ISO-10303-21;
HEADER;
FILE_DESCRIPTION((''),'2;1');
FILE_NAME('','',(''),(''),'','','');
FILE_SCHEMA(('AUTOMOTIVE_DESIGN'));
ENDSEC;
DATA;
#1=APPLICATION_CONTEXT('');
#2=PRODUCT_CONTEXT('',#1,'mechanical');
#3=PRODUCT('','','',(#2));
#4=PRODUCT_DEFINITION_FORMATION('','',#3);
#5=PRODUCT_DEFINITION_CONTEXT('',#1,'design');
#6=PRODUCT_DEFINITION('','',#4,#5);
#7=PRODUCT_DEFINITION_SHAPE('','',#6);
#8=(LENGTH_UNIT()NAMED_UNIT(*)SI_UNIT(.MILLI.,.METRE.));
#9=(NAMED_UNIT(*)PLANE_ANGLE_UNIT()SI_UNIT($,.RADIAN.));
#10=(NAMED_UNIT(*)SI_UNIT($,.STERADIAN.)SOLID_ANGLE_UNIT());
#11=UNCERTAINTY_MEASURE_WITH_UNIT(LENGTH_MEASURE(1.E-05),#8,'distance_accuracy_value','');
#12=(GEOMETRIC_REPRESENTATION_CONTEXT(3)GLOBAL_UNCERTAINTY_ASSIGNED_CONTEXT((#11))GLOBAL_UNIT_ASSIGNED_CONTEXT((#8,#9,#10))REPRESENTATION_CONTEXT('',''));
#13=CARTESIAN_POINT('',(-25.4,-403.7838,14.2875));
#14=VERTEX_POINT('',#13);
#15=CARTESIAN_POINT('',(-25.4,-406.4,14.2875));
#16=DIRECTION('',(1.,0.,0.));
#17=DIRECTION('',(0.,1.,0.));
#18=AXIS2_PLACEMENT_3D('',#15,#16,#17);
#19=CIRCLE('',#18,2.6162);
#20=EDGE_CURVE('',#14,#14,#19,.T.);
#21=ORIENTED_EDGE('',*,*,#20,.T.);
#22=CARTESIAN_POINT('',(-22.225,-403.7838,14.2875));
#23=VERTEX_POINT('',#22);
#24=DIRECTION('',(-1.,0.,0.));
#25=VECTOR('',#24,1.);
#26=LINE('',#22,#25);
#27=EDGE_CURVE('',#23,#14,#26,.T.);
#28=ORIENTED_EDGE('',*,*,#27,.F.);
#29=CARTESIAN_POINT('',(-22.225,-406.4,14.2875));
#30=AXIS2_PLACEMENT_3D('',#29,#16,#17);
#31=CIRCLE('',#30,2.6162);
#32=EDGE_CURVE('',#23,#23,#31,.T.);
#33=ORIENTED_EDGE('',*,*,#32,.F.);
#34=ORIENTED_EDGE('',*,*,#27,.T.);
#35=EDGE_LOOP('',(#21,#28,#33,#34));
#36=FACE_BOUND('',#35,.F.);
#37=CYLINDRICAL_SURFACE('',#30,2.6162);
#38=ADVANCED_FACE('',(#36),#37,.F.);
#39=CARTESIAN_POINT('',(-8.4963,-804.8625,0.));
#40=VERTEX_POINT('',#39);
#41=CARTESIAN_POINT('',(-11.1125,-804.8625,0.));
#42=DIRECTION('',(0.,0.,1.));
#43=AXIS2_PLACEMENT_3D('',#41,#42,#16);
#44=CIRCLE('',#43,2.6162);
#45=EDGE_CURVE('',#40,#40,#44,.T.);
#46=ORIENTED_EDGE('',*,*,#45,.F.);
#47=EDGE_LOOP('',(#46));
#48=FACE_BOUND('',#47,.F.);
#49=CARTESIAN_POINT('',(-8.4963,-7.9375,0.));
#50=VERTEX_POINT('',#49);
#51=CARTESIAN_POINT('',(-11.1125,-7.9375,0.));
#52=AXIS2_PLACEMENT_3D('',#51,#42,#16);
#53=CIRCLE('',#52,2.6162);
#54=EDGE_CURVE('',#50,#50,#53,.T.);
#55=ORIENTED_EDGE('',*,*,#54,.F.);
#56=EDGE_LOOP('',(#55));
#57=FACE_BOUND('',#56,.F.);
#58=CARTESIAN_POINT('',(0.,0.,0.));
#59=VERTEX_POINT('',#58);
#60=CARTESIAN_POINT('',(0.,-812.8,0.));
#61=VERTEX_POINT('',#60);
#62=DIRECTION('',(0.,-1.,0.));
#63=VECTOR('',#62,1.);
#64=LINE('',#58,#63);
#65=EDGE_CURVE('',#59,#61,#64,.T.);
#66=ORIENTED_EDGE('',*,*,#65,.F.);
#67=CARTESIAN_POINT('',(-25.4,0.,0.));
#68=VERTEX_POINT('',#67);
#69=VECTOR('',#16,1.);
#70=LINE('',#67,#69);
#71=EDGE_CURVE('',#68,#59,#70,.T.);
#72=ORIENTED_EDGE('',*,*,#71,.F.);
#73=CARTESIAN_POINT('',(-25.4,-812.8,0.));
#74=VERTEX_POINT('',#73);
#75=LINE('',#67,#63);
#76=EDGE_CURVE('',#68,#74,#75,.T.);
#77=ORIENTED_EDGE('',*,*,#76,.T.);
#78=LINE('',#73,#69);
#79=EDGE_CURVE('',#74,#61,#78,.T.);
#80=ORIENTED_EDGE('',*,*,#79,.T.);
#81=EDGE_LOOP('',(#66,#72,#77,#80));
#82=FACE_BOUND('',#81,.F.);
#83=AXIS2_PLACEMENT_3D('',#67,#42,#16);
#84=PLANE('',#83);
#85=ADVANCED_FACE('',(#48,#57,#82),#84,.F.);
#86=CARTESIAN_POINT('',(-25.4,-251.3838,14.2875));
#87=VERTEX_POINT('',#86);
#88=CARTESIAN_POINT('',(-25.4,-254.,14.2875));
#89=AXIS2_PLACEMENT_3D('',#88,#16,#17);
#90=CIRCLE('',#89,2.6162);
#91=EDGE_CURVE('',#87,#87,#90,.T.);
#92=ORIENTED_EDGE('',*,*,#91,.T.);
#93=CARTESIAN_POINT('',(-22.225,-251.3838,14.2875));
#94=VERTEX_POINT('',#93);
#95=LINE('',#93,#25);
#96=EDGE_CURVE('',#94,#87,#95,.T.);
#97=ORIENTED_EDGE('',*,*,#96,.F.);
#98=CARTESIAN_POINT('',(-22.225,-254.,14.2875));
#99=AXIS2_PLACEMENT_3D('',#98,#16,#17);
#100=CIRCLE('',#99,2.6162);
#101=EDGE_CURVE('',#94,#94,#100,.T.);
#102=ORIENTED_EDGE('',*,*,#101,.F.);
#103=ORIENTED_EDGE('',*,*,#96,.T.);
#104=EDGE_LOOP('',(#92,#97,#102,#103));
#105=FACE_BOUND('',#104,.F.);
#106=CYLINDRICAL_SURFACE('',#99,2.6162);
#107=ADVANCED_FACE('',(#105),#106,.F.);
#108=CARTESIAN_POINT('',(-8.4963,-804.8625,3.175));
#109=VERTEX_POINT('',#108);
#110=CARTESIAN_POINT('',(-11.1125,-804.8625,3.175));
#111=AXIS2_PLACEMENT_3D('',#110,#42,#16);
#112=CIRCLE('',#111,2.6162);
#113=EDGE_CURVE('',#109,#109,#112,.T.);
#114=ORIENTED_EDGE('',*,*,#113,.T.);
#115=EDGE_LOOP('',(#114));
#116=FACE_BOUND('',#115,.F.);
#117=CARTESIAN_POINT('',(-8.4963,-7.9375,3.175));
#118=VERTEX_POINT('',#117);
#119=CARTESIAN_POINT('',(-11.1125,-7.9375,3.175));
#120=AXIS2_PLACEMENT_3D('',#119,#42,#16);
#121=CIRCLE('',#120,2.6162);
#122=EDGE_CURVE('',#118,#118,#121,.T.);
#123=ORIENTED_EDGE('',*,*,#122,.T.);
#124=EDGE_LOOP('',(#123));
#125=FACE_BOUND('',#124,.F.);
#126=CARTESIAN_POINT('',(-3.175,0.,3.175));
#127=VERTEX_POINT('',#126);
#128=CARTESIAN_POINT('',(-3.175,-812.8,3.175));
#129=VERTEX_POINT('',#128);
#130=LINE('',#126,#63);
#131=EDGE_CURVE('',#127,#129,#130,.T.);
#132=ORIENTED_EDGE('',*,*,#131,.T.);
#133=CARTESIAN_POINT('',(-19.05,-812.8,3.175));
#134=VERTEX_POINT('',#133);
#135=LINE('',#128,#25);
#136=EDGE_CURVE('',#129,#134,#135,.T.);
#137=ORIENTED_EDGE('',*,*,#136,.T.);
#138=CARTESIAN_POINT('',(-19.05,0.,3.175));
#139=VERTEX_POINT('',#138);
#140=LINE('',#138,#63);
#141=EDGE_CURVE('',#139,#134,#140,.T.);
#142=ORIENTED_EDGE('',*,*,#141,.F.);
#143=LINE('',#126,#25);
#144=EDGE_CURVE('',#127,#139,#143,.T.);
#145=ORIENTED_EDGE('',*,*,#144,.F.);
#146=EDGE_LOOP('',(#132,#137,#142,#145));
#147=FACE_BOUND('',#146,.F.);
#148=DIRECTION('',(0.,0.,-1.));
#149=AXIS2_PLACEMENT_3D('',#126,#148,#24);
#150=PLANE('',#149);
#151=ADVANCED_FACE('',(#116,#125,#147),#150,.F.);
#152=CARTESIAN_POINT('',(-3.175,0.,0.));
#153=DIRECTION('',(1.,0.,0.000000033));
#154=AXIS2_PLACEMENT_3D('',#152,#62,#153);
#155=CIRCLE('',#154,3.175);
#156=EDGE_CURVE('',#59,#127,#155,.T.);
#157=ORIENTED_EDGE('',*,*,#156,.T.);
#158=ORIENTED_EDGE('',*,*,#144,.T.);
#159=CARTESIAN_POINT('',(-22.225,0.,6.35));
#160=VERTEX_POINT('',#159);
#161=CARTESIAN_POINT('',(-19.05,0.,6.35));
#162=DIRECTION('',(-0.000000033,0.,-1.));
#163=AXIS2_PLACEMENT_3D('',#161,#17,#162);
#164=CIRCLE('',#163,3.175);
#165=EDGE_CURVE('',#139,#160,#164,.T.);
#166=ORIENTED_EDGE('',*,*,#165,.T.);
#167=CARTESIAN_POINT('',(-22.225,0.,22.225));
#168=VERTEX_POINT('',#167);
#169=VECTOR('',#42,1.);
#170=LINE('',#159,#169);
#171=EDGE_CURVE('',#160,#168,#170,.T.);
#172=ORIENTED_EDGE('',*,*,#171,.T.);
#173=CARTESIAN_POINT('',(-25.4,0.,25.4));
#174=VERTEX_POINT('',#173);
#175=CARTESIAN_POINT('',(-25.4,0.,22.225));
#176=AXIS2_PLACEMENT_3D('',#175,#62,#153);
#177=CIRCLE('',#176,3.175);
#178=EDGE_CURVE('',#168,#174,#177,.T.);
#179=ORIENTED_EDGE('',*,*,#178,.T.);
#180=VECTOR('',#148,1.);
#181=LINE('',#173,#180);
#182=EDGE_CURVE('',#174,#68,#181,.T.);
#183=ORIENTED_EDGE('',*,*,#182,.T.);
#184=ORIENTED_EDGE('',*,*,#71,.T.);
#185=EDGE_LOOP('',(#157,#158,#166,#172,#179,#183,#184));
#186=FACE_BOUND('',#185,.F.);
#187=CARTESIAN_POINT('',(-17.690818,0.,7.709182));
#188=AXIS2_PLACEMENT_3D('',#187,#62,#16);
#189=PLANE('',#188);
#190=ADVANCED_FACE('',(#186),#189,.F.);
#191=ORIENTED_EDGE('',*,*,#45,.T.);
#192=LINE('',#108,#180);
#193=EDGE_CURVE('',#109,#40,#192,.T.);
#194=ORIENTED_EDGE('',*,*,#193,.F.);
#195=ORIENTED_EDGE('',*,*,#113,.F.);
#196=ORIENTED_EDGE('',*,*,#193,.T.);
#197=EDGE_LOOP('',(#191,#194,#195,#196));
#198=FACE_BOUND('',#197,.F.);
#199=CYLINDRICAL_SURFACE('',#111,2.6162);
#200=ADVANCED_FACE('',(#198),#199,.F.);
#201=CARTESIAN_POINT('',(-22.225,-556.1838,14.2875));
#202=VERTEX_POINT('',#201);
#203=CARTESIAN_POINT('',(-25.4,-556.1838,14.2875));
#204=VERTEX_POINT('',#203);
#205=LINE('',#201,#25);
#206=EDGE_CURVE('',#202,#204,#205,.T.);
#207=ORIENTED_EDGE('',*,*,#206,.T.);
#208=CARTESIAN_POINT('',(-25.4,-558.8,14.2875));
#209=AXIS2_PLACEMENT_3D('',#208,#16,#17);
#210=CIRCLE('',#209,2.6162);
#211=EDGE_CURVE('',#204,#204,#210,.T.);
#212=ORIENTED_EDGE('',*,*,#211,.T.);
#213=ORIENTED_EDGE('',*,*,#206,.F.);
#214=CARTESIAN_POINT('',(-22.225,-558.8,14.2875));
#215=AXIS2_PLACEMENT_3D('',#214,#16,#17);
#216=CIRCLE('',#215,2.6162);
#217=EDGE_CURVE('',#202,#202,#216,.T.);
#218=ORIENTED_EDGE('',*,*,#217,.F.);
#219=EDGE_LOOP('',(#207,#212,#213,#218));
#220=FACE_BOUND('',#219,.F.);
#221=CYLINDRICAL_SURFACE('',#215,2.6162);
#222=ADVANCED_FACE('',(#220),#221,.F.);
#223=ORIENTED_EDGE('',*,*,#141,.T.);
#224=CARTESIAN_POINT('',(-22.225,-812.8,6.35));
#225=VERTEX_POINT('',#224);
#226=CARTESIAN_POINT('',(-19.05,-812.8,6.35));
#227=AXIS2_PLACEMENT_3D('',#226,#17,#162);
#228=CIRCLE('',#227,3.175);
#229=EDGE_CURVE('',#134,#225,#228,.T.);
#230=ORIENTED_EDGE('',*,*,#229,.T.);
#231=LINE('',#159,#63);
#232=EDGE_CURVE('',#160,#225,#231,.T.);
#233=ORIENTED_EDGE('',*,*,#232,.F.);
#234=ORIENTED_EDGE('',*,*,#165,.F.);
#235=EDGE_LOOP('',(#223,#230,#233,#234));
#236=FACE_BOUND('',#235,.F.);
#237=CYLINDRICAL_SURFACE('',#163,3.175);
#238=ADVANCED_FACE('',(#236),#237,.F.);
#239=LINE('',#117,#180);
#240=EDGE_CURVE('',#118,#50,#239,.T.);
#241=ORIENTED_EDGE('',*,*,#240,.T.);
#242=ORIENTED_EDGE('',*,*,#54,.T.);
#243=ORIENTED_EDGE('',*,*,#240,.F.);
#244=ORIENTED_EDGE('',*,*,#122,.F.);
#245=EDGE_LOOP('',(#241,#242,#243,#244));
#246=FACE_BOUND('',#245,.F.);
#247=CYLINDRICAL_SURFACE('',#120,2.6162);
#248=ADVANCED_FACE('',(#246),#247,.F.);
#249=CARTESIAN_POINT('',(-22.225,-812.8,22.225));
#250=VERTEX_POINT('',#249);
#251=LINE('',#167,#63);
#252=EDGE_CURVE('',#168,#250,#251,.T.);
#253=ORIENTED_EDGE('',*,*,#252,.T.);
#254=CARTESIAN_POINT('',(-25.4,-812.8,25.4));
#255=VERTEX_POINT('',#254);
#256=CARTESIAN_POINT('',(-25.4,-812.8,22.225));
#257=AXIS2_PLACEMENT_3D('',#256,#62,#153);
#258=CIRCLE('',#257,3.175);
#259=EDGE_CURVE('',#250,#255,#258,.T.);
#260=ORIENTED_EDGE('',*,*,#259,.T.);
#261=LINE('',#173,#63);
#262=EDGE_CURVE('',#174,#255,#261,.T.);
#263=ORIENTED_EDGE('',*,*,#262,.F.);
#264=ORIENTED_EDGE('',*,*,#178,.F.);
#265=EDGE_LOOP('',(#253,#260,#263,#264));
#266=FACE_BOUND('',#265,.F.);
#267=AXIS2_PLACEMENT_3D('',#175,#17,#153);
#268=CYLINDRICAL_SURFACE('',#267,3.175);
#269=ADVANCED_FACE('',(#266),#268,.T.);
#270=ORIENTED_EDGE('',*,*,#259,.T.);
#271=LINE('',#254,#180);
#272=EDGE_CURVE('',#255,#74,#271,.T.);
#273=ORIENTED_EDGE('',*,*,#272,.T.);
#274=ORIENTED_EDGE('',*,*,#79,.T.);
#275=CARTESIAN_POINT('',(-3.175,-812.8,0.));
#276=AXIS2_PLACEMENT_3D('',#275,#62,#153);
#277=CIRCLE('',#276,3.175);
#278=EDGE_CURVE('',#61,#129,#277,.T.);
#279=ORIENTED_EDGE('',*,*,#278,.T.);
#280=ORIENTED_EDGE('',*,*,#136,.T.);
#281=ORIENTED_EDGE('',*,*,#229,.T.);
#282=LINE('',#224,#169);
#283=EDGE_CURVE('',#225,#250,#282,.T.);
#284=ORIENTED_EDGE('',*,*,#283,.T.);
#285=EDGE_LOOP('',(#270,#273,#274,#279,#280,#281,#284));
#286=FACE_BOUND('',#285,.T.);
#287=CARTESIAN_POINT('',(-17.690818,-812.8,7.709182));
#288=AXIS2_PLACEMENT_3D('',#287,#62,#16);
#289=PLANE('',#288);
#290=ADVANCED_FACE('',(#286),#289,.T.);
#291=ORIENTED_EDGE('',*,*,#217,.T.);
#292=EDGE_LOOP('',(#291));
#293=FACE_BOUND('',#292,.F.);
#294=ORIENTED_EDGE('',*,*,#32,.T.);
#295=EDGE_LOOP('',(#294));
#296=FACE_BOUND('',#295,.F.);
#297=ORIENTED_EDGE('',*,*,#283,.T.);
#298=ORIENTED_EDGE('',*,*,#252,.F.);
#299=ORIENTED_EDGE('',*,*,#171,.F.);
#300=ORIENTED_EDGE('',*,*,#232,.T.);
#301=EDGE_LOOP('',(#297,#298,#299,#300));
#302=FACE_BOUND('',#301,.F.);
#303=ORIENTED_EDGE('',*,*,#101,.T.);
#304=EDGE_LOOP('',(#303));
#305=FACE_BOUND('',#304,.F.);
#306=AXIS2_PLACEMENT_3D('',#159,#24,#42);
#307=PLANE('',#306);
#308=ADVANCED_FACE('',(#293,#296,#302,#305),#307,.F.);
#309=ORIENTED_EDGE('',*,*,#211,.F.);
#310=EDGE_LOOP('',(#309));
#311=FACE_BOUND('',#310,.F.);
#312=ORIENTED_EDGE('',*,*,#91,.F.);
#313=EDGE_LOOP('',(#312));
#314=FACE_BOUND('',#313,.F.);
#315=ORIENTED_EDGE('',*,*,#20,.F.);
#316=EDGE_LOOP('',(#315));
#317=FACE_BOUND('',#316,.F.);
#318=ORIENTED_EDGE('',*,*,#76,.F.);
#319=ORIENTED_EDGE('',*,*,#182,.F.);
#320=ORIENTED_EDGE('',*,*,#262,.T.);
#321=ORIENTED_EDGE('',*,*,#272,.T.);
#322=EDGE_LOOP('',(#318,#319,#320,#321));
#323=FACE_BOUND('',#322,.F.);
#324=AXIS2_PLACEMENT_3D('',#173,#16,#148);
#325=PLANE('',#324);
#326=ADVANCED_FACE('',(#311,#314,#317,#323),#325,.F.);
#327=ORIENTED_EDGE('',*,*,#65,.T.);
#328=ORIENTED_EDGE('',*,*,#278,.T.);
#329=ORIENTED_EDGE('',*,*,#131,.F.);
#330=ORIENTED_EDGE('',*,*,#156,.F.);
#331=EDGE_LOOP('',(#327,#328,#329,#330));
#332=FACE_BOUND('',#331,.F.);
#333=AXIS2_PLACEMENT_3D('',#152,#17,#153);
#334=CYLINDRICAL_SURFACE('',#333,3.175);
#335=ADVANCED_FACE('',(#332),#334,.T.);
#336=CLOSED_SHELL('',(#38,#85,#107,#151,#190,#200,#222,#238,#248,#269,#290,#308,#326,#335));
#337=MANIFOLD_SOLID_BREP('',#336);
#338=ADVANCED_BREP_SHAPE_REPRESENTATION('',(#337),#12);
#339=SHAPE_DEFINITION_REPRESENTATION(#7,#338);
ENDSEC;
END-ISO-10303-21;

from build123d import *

# Parameters (mm, degrees)
F1_DEPTH = 812.8
F2_R     = 2.6162
F3_DEPTH = 3.176
F4_R     = 2.6162
F5_DEPTH = 3.176


with BuildPart() as f1:
    # F0 (on Front) → F1 (new body)
    with BuildSketch(Plane.XZ):
        with BuildLine():
            Line((-25.4, 0), (0, 0))
            ThreePointArc((0, 0), (-0.929936, 2.245064), (-3.175, 3.175))
            Line((-3.175, 3.175), (-19.05, 3.175))
            ThreePointArc((-19.05, 3.175), (-21.295064, 4.104936), (-22.225, 6.35))
            Line((-22.225, 6.35), (-22.225, 22.225))
            ThreePointArc((-22.225, 22.225), (-23.154936, 24.470064), (-25.4, 25.4))
            Line((-25.4, 25.4), (-25.4, 0))
        make_face()
    extrude(amount=F1_DEPTH)

    # F2 (on face) → F3 (cut, through all)
    with BuildSketch(Plane.YZ.offset(-22.225)):
        with Locations((-558.8, 14.2875)):
            Circle(F2_R)
        with Locations((-406.4, 14.2875)):
            Circle(F2_R)
        with Locations((-254, 14.2875)):
            Circle(F2_R)
    extrude(amount=-F3_DEPTH, mode=Mode.SUBTRACT)

    # F4 (on face) → F5 (cut, through all)
    with BuildSketch(Plane.XY.offset(3.175)):
        with Locations((-11.1125, -804.8625)):
            Circle(F4_R)
        with Locations((-11.1125, -7.9375)):
            Circle(F4_R)
    extrude(amount=-F5_DEPTH, mode=Mode.SUBTRACT)


solid = f1.part
